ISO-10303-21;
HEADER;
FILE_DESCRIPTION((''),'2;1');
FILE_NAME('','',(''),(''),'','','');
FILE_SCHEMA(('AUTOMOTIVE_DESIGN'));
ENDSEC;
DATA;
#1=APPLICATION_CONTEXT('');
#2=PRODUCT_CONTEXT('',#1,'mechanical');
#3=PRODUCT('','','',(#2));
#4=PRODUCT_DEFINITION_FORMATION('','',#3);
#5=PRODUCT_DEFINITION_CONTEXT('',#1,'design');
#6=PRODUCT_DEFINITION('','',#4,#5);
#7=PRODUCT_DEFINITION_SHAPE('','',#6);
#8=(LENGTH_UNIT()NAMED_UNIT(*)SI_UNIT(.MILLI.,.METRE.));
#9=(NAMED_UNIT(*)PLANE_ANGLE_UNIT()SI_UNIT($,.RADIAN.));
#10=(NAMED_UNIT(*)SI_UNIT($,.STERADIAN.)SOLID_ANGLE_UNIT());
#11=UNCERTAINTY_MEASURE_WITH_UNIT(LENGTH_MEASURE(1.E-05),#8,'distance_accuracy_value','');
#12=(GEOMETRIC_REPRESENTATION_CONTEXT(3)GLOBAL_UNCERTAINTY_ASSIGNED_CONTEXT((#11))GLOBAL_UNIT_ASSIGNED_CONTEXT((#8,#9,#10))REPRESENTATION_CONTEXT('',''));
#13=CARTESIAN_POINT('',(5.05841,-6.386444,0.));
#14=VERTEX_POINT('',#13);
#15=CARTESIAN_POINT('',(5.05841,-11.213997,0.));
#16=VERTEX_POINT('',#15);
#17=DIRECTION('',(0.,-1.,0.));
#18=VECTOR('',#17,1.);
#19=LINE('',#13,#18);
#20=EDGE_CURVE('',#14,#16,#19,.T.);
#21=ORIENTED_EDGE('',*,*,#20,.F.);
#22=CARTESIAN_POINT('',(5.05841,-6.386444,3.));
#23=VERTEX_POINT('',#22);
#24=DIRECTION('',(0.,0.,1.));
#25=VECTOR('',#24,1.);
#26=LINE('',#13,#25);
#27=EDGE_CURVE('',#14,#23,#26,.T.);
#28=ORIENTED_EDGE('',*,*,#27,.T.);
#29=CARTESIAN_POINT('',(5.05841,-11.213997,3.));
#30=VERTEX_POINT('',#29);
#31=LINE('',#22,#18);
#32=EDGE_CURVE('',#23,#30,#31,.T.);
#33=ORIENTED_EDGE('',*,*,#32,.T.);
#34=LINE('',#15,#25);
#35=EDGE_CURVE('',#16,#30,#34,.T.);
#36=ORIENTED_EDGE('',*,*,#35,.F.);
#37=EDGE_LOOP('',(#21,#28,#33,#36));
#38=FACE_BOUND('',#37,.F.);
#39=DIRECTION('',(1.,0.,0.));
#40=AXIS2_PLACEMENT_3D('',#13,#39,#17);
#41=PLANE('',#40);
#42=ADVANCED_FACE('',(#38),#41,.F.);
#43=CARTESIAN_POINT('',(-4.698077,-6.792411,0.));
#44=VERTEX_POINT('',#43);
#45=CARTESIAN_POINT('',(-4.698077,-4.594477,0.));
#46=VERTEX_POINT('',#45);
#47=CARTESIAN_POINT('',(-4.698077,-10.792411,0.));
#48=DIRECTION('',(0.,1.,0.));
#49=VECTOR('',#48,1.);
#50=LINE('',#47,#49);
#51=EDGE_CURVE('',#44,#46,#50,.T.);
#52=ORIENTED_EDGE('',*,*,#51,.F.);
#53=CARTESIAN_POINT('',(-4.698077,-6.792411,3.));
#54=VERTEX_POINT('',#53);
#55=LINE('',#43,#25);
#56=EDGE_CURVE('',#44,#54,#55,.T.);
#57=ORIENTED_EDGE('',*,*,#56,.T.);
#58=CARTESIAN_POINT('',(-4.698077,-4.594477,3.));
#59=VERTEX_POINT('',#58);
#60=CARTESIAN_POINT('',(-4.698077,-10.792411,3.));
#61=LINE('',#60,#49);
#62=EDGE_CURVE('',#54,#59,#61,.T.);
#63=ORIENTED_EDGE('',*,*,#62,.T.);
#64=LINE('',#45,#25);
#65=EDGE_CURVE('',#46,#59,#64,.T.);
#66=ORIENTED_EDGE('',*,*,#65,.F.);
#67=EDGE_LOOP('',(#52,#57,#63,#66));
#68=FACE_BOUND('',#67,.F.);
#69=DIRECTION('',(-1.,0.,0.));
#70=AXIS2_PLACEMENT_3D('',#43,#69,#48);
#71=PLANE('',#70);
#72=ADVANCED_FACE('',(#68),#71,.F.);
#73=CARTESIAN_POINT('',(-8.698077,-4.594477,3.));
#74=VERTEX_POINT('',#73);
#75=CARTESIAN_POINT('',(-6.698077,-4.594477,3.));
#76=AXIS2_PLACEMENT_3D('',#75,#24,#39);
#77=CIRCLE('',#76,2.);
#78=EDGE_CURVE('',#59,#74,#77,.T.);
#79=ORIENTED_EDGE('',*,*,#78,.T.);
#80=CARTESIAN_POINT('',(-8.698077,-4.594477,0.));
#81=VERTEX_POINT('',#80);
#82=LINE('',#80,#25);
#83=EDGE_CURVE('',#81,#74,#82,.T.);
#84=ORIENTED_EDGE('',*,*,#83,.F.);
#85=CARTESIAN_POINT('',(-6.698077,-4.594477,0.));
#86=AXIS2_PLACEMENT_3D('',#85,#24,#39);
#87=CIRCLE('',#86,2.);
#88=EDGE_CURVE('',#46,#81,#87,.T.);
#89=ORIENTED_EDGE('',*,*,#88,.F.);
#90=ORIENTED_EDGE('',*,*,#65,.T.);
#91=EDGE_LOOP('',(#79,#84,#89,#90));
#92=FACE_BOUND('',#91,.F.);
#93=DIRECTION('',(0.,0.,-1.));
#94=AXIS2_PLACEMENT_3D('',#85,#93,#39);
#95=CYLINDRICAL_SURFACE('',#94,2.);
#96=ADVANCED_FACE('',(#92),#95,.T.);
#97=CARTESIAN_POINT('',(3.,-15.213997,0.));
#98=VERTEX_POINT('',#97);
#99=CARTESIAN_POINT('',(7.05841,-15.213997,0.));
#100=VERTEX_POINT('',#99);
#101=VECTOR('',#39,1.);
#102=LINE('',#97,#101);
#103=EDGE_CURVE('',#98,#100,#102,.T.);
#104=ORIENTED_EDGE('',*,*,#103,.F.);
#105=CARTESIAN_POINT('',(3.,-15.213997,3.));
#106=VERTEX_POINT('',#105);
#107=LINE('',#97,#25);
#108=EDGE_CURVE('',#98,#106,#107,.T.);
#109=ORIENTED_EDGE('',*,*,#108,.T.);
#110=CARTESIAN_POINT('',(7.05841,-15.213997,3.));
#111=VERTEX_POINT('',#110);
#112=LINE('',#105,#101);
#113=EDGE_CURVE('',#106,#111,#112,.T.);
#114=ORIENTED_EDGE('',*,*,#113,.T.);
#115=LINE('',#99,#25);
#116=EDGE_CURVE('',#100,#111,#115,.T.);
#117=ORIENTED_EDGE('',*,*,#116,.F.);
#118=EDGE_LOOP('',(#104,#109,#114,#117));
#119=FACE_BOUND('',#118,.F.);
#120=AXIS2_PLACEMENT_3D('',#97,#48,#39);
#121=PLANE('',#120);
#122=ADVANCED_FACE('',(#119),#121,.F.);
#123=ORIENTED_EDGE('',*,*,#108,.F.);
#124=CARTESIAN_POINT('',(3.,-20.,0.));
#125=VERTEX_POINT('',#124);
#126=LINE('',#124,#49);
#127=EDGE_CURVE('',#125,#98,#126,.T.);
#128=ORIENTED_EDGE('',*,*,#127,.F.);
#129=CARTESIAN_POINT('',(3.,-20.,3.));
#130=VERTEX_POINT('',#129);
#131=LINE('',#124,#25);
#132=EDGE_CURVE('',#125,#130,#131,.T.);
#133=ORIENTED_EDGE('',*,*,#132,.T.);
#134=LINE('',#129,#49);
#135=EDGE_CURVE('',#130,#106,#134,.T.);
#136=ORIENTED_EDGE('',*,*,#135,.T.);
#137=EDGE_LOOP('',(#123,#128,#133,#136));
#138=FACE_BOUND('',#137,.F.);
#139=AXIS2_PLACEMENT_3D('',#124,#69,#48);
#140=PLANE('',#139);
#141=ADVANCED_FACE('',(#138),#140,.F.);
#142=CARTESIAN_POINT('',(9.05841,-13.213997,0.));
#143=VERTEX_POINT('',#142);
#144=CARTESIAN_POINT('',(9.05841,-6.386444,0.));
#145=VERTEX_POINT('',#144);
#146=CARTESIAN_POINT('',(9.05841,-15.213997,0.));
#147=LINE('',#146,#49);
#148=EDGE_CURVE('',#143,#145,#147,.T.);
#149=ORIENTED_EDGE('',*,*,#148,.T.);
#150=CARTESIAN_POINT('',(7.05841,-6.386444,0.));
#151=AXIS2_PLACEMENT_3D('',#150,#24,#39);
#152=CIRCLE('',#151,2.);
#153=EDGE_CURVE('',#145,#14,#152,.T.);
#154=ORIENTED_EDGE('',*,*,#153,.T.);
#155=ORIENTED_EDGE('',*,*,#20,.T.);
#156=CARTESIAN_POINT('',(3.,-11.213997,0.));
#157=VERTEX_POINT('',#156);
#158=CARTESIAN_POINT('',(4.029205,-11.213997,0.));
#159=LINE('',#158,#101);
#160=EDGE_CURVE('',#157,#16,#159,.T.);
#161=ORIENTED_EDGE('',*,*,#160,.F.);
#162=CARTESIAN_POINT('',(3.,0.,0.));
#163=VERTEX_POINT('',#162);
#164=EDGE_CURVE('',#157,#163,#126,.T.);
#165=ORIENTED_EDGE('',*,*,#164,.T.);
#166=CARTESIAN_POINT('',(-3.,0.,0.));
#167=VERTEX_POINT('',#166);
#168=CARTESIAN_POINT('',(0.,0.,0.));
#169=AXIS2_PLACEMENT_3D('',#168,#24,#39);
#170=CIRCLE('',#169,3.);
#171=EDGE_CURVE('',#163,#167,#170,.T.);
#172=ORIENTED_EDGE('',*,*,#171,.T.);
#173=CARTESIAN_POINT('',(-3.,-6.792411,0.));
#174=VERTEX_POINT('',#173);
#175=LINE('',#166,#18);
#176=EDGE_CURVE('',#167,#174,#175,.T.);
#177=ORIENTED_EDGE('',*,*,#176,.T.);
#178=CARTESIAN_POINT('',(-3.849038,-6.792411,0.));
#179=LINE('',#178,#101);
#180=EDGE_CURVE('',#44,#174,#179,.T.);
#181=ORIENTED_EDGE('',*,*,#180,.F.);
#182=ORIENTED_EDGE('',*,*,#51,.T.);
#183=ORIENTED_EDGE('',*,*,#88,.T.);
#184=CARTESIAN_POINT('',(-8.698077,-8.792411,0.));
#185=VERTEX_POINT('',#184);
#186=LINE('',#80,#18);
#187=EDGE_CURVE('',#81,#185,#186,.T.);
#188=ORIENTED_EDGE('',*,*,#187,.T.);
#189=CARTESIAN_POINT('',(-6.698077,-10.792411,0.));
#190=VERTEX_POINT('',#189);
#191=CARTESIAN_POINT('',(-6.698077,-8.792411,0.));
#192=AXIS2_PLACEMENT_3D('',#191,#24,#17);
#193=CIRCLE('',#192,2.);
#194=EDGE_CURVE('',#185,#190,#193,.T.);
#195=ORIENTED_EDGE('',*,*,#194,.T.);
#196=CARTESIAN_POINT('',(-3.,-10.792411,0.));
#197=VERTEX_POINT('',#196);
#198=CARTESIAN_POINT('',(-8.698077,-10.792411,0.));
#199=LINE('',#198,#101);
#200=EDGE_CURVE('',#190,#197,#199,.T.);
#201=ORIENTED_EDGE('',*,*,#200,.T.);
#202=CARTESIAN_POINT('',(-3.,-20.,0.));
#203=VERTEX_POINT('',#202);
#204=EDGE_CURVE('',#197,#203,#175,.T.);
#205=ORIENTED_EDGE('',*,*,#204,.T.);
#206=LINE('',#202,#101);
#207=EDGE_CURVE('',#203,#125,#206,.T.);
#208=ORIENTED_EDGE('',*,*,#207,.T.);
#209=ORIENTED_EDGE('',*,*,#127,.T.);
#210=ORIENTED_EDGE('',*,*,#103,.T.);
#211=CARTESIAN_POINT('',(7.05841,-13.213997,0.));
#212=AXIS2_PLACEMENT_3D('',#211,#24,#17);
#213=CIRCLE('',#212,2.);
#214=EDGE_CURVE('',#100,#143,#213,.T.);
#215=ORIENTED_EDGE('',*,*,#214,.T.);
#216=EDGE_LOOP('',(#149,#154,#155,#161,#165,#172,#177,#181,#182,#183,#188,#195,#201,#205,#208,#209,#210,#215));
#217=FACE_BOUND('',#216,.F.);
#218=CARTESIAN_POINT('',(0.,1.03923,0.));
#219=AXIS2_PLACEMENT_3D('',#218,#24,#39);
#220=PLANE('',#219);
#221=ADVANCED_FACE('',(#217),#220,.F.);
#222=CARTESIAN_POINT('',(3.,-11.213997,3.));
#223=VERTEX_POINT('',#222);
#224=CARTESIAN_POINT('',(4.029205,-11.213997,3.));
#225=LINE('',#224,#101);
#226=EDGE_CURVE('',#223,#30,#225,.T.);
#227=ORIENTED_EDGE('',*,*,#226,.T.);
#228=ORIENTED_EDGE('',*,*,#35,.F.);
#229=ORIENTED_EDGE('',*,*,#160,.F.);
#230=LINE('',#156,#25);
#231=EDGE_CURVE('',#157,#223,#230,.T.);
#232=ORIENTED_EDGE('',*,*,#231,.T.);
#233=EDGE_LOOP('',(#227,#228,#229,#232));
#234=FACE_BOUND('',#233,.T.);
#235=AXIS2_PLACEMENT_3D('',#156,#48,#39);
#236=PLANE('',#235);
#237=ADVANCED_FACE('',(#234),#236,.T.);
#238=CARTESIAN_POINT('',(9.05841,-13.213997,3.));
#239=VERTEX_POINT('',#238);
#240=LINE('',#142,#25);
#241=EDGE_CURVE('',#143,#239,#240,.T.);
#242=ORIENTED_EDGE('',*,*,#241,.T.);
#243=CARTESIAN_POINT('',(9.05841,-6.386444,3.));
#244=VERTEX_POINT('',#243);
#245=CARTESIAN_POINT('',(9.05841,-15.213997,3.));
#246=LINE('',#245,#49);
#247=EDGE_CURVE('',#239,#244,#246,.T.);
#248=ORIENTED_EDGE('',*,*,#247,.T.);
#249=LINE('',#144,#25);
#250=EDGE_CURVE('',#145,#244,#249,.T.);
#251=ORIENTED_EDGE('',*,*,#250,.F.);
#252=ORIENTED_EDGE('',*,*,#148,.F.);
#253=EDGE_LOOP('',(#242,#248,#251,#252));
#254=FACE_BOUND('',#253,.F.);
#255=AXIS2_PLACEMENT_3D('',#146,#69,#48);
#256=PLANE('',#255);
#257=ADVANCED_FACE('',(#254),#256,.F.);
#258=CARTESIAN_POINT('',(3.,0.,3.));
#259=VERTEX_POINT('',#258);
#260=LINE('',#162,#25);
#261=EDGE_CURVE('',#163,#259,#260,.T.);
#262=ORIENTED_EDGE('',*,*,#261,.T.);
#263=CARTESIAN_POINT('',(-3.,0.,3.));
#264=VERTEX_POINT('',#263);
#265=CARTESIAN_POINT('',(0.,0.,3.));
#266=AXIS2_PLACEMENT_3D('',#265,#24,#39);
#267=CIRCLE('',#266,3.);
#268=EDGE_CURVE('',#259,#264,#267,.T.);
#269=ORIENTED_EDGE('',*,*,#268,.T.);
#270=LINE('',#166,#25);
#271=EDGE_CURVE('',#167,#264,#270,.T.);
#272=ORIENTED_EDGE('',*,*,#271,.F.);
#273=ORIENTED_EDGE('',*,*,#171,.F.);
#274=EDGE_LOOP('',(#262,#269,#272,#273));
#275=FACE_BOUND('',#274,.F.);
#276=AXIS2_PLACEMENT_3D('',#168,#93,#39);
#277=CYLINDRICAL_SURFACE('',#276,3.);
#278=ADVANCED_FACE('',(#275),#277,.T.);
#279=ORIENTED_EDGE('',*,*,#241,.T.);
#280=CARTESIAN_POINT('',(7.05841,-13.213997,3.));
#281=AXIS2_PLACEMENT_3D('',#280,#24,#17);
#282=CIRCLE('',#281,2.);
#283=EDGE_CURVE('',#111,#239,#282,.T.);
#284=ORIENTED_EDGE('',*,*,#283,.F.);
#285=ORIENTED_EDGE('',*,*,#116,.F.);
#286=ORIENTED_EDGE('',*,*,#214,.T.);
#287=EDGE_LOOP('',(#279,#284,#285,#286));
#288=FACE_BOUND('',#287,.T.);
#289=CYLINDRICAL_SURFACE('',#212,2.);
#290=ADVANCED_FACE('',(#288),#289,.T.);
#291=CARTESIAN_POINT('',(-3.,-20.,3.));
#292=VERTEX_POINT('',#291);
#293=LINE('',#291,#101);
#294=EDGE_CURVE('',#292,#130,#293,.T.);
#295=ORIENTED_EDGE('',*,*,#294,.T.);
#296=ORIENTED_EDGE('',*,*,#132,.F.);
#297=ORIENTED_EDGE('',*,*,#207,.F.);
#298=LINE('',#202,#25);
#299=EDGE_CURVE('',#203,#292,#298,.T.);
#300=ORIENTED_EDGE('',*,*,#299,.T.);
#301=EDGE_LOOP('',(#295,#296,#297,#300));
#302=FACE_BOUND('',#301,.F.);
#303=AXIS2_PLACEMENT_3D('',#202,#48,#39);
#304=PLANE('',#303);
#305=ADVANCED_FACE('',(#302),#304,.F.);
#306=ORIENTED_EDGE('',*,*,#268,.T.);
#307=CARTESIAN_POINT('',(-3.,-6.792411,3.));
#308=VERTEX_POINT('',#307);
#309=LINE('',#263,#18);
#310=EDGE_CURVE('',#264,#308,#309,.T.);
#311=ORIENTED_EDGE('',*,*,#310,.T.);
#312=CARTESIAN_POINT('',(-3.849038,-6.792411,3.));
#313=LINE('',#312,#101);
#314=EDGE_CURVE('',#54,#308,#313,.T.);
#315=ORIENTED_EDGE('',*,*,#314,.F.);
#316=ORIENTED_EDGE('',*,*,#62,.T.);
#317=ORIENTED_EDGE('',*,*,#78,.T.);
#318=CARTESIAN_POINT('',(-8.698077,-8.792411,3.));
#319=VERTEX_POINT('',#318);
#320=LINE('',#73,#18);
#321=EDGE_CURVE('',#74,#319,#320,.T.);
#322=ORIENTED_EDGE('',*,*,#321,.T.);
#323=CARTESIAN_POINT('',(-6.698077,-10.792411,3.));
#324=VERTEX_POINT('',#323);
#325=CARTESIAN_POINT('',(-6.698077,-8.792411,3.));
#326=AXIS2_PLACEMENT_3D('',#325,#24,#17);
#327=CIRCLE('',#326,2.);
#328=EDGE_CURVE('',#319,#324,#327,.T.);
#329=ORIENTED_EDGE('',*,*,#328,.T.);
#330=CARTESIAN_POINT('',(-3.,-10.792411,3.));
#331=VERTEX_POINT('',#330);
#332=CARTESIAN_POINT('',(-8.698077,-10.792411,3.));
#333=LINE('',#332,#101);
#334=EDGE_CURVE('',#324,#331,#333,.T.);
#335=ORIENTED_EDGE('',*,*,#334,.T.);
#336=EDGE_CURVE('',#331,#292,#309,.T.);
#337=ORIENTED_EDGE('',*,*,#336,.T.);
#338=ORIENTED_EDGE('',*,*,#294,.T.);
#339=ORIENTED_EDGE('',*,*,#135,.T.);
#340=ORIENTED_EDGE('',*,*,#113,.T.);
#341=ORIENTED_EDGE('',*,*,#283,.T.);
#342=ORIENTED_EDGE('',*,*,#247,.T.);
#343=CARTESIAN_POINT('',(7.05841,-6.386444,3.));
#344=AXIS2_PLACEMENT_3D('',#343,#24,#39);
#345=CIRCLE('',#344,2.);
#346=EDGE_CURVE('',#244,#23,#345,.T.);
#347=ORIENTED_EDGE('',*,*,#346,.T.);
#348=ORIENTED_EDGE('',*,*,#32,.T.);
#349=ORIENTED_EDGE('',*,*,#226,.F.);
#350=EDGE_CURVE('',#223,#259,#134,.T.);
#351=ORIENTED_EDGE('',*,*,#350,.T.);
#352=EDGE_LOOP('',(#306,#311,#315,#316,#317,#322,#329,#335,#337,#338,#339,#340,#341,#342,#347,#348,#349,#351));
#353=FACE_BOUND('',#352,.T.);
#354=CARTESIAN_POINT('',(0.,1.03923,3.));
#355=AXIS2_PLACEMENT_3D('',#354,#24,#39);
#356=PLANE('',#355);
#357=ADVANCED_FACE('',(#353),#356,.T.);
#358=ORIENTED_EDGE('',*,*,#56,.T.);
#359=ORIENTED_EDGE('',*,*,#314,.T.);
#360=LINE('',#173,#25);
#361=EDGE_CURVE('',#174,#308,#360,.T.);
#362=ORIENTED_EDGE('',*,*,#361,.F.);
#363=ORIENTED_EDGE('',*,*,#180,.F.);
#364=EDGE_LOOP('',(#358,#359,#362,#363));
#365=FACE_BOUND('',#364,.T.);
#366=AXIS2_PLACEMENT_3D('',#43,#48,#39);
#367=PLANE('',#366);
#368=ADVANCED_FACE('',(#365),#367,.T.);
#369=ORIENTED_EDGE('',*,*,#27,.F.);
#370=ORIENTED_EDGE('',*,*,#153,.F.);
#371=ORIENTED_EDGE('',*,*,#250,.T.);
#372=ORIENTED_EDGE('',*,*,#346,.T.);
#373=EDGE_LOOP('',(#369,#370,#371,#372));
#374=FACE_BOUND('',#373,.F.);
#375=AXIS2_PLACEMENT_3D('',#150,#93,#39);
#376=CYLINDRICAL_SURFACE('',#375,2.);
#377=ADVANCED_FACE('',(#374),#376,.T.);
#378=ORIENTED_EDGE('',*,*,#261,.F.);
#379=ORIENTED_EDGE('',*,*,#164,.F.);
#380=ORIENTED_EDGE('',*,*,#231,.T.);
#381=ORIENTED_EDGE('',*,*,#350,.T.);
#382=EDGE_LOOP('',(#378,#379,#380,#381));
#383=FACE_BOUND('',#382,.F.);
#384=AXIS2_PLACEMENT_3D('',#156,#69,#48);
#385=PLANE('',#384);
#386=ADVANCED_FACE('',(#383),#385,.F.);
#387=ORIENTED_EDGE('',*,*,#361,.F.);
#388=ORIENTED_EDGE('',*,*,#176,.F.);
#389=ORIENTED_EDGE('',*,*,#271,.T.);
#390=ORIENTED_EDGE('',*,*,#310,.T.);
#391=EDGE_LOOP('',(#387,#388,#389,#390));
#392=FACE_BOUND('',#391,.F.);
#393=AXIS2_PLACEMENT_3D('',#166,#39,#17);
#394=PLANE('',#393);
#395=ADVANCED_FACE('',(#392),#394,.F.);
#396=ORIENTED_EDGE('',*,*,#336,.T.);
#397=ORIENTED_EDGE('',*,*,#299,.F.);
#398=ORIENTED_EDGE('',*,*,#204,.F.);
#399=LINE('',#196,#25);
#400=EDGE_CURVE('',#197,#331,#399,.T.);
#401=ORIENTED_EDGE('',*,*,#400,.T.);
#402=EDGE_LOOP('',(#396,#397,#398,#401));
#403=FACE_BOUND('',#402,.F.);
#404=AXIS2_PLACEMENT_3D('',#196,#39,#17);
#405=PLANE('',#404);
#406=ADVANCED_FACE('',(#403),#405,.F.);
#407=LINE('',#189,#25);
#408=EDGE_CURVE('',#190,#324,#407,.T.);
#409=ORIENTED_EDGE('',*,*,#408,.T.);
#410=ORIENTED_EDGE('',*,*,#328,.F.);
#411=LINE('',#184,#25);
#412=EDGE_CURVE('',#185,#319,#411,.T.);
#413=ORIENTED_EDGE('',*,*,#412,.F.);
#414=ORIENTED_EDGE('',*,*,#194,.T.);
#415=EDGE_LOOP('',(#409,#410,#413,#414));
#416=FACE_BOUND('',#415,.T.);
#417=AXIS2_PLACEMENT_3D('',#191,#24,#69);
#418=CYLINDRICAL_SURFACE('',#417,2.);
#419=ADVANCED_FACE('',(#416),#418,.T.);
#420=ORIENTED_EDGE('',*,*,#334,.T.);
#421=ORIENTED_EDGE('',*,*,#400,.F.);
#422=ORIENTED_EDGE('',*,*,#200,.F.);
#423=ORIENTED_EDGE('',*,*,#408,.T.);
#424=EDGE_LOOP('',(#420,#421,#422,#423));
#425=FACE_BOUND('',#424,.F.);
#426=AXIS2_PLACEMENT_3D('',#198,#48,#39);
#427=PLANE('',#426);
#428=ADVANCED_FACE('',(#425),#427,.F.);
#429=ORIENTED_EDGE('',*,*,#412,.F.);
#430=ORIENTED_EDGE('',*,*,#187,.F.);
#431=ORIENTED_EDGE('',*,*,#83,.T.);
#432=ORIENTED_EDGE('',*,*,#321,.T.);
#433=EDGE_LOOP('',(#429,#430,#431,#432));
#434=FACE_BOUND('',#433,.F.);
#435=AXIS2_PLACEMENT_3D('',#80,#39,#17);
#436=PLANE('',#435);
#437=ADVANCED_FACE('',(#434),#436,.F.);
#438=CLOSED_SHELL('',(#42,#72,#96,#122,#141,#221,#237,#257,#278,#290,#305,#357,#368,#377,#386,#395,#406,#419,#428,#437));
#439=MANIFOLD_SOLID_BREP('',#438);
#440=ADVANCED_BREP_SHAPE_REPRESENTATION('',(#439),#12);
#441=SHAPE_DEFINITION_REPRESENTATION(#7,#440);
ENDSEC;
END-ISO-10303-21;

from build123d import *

# Parameters (mm, degrees)
F0_W     = 2.0584103018
F0_H     = 4
F0_W_2   = 1.6980766132
F1_DEPTH = 3
F2_R     = 2


with BuildPart() as f1:
    # F0 (on Top) → F1 (new body)
    with BuildSketch(Plane.XY):
        with BuildLine():
            Line((-3, 0), (3, 0))
            ThreePointArc((3, 0), (0, 3), (-3, 0))
        make_face()
        with BuildLine():
            Line((3, -11.2139971033), (3, 0))
            ThreePointArc((3, 0), (0, -3), (-3, 0))
            Line((-3, 0), (-3, -6.7924109325))
            Line((-3, -6.7924109325), (-3, -10.7924109325))
            Line((-3, -10.7924109325), (-3, -20))
            Line((-3, -20), (3, -20))
            Line((3, -20), (3, -15.2139971033))
            Line((3, -15.2139971033), (3, -11.2139971033))
        make_face()
        with BuildLine():
            ThreePointArc((-3, 0), (0, -3), (3, 0))
            Line((3, 0), (-3, 0))
        make_face()
        with Locations((4.0292051509, -13.2139971033)):
            Rectangle(F0_W, F0_H)
        with Locations((-3.8490383066, -8.7924109325)):
            Rectangle(F0_W_2, F0_H)
        with BuildLine():
            Line((5.0584103018, -6.3864439726), (5.0584103018, -11.2139971033))
            Line((5.0584103018, -11.2139971033), (5.0584103018, -15.2139971033))
            Line((5.0584103018, -15.2139971033), (9.0584103018, -15.2139971033))
            Line((9.0584103018, -15.2139971033), (9.0584103018, -6.3864439726))
            ThreePointArc((9.0584103018, -6.3864439726), (7.0584103018, -8.3864439726), (5.0584103018, -6.3864439726))
        make_face()
        with BuildLine():
            Line((-4.6980766132, -10.7924109325), (-4.6980766132, -6.7924109325))
            Line((-4.6980766132, -6.7924109325), (-4.6980766132, -4.5944773592))
            ThreePointArc((-4.6980766132, -4.5944773592), (-6.6980766132, -6.5944773592), (-8.6980766132, -4.5944773592))
            Line((-8.6980766132, -4.5944773592), (-8.6980766132, -10.7924109325))
            Line((-8.6980766132, -10.7924109325), (-4.6980766132, -10.7924109325))
        make_face()
        with BuildLine():
            ThreePointArc((9.0584103018, -6.3864439726), (7.0584103018, -4.3864439726), (5.0584103018, -6.3864439726))
            Line((5.0584103018, -6.3864439726), (9.0584103018, -6.3864439726))
        make_face()
        with BuildLine():
            Line((9.0584103018, -6.3864439726), (5.0584103018, -6.3864439726))
            ThreePointArc((5.0584103018, -6.3864439726), (7.0584103018, -8.3864439726), (9.0584103018, -6.3864439726))
        make_face()
        with BuildLine():
            ThreePointArc((-8.6980766132, -4.5944773592), (-6.6980766132, -6.5944773592), (-4.6980766132, -4.5944773592))
            Line((-4.6980766132, -4.5944773592), (-8.6980766132, -4.5944773592))
        make_face()
        with BuildLine():
            Line((-8.6980766132, -4.5944773592), (-4.6980766132, -4.5944773592))
            ThreePointArc((-4.6980766132, -4.5944773592), (-6.6980766132, -2.5944773592), (-8.6980766132, -4.5944773592))
        make_face()
    extrude(amount=F1_DEPTH)

    # F2
    f2_edges = [f1.edges().sort_by_distance(p)[0] for p in [
        (-8.698077, -10.792411, 1.5),
        (9.05841, -15.213997, 1.5),
    ]]
    fillet(f2_edges, radius=F2_R)


solid = f1.part
